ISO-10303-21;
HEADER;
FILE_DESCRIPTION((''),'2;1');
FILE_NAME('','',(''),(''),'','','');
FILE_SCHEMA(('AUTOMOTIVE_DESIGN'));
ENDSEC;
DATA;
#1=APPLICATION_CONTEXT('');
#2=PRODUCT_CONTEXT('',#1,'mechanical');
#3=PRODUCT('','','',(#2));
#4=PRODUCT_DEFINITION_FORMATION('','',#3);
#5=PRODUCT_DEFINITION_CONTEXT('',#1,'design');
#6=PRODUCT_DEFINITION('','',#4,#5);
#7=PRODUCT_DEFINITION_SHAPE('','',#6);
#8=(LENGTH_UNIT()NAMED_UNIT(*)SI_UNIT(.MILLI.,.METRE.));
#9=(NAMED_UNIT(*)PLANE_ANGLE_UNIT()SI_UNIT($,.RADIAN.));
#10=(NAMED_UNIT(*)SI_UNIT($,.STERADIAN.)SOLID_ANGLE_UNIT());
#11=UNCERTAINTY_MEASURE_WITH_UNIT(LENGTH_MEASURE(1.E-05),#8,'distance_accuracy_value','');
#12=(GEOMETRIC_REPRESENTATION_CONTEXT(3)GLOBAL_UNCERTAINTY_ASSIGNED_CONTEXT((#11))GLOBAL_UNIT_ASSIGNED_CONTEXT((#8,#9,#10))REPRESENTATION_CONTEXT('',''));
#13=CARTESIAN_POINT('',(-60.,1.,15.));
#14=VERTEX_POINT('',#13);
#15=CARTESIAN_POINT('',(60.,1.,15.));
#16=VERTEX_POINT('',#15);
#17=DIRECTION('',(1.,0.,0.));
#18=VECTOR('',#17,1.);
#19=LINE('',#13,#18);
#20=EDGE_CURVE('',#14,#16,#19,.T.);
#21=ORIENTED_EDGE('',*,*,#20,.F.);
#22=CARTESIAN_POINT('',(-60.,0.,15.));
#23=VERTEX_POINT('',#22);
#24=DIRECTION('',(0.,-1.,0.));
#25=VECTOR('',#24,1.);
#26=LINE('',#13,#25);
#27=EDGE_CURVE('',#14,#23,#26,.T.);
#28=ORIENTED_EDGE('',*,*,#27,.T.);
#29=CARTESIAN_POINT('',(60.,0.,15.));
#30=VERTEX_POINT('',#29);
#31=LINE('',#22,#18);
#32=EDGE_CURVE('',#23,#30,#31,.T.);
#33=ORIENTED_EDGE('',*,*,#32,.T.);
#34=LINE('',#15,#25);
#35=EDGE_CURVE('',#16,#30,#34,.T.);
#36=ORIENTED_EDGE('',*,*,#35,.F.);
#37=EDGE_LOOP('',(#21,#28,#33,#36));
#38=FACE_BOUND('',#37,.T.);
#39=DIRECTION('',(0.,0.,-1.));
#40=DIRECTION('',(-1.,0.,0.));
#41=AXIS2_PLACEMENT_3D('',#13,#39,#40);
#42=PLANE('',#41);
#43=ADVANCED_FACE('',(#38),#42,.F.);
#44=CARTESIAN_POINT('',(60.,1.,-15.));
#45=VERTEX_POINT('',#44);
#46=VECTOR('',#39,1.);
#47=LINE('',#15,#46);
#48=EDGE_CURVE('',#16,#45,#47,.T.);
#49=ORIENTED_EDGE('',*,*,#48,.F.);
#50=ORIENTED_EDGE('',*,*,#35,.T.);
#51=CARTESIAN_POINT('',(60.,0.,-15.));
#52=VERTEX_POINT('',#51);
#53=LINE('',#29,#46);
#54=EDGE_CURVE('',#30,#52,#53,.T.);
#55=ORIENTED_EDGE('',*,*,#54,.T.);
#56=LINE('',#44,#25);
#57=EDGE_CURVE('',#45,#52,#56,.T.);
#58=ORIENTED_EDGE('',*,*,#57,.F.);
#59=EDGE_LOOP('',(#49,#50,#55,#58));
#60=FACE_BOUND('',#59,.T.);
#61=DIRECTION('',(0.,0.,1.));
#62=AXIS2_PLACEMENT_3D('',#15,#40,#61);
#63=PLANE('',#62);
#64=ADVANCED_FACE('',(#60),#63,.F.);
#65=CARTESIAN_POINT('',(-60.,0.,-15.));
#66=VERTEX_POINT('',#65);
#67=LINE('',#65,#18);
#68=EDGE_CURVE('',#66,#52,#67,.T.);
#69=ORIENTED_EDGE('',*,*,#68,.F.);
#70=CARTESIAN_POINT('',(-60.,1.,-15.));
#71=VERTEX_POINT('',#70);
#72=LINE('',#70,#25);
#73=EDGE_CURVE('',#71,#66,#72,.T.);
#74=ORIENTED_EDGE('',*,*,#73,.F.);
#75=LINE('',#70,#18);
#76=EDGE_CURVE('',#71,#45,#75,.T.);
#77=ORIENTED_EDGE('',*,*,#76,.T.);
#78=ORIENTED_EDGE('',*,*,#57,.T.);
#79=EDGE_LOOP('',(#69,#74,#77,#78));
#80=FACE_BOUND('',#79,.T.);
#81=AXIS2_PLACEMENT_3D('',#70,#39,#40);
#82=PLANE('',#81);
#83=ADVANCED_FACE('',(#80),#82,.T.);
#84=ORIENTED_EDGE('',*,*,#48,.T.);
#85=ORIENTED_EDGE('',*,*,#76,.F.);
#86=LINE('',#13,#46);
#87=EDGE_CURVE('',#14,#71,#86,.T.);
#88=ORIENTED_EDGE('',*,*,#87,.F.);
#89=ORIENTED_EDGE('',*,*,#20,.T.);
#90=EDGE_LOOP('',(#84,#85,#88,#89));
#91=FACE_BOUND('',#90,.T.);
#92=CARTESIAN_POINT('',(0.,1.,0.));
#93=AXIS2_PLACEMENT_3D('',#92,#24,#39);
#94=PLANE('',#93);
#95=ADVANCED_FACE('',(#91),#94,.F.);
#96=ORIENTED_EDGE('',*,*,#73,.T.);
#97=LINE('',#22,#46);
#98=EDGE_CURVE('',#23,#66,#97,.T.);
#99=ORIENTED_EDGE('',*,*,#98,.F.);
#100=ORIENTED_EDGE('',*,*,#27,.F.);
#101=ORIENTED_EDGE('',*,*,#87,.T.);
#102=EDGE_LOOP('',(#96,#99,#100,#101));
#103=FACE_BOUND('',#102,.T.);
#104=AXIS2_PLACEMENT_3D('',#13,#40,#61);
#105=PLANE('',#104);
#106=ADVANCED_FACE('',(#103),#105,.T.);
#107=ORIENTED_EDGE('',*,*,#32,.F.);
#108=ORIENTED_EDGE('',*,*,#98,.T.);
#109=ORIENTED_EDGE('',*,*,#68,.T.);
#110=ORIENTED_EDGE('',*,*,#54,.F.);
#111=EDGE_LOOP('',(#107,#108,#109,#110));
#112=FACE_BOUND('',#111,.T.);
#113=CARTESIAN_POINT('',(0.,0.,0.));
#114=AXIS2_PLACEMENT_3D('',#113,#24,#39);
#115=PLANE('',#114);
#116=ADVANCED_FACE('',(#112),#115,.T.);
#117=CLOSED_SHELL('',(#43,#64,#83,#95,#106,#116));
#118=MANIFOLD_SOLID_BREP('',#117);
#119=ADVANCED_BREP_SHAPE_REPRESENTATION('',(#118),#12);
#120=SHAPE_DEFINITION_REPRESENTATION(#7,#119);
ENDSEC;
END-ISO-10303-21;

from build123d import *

# Parameters (mm, degrees)
ESQUISSE2_W        = 120
ESQUISSE2_H        = 30
BOSS_EXTRU_1_DEPTH = 1


with BuildPart() as part:
    # Esquisse2 → Boss.-Extru.1 (new body)
    with BuildSketch(Plane(origin=(0, 0, 0), x_dir=(1, 0, 0), z_dir=(0, 1, 0))):
        Rectangle(ESQUISSE2_W, ESQUISSE2_H)
    extrude(amount=BOSS_EXTRU_1_DEPTH)


solid = part.part
